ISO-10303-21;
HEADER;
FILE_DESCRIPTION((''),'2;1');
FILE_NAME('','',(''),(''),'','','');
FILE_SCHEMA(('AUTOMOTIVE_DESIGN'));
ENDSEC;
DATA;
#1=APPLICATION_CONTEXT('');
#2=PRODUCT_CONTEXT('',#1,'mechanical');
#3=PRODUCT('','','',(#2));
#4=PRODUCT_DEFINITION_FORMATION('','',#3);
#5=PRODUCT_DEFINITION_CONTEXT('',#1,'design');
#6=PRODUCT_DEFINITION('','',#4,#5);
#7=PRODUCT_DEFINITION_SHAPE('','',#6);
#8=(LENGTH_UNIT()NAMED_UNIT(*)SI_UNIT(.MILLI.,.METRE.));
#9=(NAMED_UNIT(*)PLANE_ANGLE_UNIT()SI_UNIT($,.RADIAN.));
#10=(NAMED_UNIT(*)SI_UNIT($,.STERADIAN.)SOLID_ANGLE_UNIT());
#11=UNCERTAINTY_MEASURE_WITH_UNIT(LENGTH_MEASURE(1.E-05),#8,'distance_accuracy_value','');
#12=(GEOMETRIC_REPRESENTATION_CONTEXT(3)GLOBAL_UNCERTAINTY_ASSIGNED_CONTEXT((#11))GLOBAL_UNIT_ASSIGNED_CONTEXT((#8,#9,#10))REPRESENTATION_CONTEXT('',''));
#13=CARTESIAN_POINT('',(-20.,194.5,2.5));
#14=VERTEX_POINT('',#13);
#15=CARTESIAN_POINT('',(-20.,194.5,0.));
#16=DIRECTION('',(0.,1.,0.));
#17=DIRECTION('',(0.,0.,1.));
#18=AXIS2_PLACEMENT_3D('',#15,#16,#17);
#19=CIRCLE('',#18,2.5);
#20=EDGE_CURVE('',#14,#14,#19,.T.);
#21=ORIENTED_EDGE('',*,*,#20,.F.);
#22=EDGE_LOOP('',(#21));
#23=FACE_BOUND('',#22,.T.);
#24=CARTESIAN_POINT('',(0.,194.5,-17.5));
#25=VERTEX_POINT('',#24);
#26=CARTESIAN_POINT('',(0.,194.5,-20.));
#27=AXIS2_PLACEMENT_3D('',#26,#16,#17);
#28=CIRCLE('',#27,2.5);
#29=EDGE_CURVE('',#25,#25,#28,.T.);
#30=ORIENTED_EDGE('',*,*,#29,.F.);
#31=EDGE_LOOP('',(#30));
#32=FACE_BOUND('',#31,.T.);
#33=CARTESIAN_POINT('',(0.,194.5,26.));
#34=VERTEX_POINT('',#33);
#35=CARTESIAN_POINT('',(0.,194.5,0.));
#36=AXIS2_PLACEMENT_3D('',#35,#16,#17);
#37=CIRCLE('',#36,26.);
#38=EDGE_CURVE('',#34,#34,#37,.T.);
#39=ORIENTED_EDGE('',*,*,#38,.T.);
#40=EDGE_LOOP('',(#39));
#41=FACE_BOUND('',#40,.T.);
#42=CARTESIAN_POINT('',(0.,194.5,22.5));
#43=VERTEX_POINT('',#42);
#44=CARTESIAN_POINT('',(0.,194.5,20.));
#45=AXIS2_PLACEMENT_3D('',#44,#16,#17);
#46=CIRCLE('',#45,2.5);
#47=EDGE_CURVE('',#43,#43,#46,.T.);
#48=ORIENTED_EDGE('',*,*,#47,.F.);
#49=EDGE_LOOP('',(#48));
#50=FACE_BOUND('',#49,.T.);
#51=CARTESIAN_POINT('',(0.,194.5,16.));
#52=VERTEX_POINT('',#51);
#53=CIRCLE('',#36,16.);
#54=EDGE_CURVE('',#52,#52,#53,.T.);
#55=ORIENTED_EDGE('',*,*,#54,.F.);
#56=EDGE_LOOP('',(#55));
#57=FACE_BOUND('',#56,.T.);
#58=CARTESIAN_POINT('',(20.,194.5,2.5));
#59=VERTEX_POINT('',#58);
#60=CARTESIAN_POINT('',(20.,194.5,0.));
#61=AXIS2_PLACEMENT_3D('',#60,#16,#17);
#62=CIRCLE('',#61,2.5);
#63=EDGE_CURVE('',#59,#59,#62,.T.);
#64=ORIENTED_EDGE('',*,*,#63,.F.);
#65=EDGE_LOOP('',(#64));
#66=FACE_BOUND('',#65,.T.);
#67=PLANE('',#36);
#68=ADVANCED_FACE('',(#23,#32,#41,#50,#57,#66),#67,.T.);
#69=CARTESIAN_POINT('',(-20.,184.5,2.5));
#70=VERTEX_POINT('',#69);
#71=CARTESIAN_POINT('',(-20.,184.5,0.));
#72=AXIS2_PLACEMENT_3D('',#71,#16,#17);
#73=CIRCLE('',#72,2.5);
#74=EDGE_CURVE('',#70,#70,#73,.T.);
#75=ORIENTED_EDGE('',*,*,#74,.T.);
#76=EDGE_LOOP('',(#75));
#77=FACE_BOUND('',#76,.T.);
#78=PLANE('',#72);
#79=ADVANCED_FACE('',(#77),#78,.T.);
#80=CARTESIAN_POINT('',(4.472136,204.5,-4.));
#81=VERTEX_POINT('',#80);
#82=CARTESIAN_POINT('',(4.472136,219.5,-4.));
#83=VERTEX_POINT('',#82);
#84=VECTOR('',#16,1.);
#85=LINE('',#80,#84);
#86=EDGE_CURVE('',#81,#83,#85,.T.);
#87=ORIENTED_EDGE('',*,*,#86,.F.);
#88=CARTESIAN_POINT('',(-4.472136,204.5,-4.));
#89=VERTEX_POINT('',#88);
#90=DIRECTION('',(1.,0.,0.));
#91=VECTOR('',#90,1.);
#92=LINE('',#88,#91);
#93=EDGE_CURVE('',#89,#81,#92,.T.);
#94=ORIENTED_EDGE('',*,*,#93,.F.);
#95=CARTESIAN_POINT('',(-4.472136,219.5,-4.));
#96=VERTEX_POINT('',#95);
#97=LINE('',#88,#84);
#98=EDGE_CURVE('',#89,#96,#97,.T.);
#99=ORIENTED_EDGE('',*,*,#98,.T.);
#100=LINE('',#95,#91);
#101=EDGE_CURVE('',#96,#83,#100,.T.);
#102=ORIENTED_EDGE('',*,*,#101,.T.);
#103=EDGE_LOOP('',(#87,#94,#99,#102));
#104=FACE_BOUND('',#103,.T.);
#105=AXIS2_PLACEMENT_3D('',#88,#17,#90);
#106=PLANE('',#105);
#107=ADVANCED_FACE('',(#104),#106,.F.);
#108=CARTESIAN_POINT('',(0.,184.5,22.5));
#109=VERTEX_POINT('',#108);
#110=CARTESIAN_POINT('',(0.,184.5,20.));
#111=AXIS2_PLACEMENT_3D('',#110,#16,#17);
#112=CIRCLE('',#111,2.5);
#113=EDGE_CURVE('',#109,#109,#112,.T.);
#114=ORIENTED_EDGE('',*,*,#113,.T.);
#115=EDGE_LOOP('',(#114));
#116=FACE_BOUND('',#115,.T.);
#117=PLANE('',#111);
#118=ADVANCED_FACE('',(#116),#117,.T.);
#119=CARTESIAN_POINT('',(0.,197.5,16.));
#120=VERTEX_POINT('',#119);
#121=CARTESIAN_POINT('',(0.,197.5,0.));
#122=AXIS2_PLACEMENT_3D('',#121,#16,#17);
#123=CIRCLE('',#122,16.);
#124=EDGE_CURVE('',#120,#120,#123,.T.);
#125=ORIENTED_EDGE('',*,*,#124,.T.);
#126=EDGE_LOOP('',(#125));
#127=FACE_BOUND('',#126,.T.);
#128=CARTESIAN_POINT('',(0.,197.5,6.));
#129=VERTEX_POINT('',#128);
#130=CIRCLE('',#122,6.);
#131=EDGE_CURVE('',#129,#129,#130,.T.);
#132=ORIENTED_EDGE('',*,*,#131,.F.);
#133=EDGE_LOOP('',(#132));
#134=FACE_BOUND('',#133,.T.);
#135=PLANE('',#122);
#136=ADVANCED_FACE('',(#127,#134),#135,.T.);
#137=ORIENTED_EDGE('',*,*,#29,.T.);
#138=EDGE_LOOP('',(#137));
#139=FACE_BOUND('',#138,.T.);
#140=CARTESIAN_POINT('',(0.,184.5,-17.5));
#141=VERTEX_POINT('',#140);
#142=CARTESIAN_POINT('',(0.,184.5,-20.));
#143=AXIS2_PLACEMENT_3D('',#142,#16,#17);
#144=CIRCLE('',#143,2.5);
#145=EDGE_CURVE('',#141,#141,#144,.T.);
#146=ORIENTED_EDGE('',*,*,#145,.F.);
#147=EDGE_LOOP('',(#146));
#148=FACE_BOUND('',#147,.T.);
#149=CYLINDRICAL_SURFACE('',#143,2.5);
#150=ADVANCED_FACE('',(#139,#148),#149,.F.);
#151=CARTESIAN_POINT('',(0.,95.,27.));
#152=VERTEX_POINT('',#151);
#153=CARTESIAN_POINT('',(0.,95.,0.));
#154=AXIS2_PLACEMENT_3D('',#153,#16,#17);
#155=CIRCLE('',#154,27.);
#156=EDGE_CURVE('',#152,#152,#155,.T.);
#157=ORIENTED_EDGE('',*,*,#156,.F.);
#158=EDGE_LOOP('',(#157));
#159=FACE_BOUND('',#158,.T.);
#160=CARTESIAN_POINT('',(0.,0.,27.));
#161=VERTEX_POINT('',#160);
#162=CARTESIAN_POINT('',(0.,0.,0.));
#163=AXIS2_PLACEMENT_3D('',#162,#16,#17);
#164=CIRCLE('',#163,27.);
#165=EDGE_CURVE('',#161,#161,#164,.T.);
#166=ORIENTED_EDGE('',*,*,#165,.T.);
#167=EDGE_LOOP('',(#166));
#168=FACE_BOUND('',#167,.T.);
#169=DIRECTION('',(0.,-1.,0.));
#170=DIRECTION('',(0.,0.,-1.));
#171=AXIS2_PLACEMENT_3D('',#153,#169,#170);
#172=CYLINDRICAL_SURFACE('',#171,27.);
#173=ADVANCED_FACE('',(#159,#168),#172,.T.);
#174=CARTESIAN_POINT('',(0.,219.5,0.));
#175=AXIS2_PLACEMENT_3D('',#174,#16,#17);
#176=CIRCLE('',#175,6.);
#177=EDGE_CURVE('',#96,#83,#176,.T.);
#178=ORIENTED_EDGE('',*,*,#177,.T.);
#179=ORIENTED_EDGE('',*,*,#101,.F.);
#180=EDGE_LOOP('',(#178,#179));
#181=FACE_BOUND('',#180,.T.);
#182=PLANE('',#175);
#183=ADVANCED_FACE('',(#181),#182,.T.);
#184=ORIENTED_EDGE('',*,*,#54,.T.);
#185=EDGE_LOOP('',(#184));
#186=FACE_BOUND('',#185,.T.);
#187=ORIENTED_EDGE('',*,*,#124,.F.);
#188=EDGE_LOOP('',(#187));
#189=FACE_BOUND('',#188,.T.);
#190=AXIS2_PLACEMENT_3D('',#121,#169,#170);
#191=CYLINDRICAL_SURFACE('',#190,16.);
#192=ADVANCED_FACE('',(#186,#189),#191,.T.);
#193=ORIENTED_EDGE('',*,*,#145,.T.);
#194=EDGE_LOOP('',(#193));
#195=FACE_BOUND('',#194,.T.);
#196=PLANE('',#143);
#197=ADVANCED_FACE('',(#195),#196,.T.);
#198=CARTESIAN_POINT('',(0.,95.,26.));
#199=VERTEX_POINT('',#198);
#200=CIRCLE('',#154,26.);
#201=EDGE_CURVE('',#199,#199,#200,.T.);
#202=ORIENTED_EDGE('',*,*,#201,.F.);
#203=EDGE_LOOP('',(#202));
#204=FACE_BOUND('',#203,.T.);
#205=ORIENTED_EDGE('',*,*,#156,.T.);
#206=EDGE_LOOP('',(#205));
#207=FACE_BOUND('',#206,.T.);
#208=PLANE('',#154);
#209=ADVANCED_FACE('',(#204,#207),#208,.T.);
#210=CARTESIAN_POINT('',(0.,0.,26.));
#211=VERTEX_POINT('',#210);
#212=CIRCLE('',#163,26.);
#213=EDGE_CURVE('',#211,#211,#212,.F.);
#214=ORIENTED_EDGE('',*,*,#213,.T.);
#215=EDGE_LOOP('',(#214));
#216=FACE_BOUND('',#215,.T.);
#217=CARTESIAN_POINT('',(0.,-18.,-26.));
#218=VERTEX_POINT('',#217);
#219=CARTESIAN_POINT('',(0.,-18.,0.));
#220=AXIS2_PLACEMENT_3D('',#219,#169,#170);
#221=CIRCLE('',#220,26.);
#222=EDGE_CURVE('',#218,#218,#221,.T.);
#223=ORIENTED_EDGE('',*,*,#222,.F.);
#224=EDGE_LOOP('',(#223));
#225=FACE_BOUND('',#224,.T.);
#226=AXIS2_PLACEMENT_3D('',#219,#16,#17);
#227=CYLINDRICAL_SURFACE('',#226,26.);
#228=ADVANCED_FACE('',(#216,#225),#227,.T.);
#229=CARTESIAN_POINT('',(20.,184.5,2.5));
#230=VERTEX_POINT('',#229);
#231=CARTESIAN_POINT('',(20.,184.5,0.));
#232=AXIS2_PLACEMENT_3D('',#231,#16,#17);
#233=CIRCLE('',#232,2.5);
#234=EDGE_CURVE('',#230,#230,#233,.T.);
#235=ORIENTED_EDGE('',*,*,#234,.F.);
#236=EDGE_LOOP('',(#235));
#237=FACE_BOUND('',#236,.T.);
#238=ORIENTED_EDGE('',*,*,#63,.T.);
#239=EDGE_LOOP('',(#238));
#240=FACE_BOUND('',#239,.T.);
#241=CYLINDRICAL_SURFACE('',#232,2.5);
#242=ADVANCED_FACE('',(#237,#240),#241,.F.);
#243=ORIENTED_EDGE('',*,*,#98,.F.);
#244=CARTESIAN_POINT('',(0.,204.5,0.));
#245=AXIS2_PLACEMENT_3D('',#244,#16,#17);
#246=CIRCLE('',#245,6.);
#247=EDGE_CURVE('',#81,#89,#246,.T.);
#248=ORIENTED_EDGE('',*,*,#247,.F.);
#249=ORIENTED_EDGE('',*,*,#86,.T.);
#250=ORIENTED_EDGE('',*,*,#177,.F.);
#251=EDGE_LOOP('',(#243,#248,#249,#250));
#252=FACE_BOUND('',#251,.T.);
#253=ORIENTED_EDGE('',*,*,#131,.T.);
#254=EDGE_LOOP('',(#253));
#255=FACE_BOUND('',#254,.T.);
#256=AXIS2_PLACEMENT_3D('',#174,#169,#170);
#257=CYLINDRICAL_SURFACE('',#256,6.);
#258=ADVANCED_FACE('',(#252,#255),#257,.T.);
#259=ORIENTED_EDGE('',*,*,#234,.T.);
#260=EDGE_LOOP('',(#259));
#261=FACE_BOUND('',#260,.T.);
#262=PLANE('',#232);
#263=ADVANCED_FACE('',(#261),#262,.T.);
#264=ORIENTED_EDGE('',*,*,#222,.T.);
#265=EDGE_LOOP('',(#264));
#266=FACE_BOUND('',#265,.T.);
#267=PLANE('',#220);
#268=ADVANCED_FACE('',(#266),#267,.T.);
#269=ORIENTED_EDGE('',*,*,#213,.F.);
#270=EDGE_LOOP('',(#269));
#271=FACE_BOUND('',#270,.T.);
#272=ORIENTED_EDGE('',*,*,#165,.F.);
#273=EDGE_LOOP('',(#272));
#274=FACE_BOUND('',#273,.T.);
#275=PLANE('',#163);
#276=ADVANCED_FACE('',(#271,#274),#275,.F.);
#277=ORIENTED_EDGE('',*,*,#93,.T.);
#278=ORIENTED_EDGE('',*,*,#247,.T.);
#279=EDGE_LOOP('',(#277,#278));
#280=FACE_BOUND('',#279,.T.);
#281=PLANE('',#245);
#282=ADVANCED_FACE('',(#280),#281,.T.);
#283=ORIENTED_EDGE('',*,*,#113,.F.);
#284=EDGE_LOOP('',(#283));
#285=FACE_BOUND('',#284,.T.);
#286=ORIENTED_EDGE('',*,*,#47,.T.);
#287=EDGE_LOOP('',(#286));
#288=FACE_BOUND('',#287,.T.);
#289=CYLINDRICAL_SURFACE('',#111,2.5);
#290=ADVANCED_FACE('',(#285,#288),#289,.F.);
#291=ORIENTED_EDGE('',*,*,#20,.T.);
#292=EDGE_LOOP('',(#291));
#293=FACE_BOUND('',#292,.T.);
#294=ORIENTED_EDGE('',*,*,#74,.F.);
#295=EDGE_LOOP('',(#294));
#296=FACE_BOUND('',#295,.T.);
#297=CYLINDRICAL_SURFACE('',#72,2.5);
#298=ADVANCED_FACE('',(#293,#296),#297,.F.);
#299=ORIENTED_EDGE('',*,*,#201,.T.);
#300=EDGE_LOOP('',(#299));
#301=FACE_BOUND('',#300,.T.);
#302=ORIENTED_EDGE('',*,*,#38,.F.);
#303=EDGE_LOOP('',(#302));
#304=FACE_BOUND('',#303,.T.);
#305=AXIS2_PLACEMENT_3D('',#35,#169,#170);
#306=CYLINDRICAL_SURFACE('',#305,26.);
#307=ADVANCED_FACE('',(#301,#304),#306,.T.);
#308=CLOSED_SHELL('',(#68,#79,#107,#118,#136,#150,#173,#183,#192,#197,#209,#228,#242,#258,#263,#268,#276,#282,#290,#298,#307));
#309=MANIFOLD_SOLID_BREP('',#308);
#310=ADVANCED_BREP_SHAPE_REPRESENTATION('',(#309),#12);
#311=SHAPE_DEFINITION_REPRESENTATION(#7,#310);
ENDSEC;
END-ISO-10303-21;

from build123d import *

# Parameters (mm, degrees)
SKETCH1_R           = 27
BOSS_EXTRUDE1_DEPTH = 95
SKETCH2_R           = 26
BOSS_EXTRUDE2_DEPTH = 99.5
SKETCH3_R           = 16
BOSS_EXTRUDE3_DEPTH = 3
SKETCH4_R           = 6
BOSS_EXTRUDE4_DEPTH = 22
CUT_EXTRUDE1_DEPTH  = 15
SKETCH6_R           = 2.5
CUT_EXTRUDE2_DEPTH  = 10
SKETCH7_R           = 26
BOSS_EXTRUDE5_DEPTH = 18


with BuildPart() as part:
    # Sketch1 → Boss-Extrude1 (new body)
    with BuildSketch(Plane(origin=(0, 0, 0), x_dir=(1, 0, 0), z_dir=(0, 1, 0))):
        Circle(SKETCH1_R)
    extrude(amount=BOSS_EXTRUDE1_DEPTH)

    # Sketch2 → Boss-Extrude2 (add)
    with BuildSketch(Plane(origin=(0, 95, 0), x_dir=(1, 0, 0), z_dir=(0, 1, 0))):
        Circle(SKETCH2_R)
    extrude(amount=BOSS_EXTRUDE2_DEPTH)

    # Sketch3 → Boss-Extrude3 (add)
    with BuildSketch(Plane(origin=(0, 194.5, 0), x_dir=(1, 0, 0), z_dir=(0, 1, 0))):
        Circle(SKETCH3_R)
    extrude(amount=BOSS_EXTRUDE3_DEPTH)

    # Sketch4 → Boss-Extrude4 (add)
    with BuildSketch(Plane(origin=(0, 197.5, 0), x_dir=(1, 0, 0), z_dir=(0, 1, 0))):
        Circle(SKETCH4_R)
    extrude(amount=BOSS_EXTRUDE4_DEPTH)

    # Sketch5 → Cut-Extrude1 (cut)
    with BuildSketch(Plane(origin=(0, 219.5, 0), x_dir=(1, 0, 0), z_dir=(0, 1, 0))):
        with BuildLine():
            Line((-4.472135955, 4), (4.472135955, 4))
            ThreePointArc((4.472135955, 4), (0, 6), (-4.472135955, 4))
        make_face()
    extrude(amount=-CUT_EXTRUDE1_DEPTH, mode=Mode.SUBTRACT)

    # Sketch6 → Cut-Extrude2 (cut)
    with BuildSketch(Plane(origin=(0, 194.5, 0), x_dir=(1, 0, 0), z_dir=(0, 1, 0))):
        with Locations((0, 20)):
            Circle(SKETCH6_R)
        with Locations((-20, 0)):
            Circle(SKETCH6_R)
        with Locations((0, -20)):
            Circle(SKETCH6_R)
        with Locations((20, 0)):
            Circle(SKETCH6_R)
    extrude(amount=-CUT_EXTRUDE2_DEPTH, mode=Mode.SUBTRACT)

    # Sketch7 → Boss-Extrude5 (add)
    with BuildSketch(Plane.XZ):
        Circle(SKETCH7_R)
    extrude(amount=BOSS_EXTRUDE5_DEPTH)


solid = part.part
